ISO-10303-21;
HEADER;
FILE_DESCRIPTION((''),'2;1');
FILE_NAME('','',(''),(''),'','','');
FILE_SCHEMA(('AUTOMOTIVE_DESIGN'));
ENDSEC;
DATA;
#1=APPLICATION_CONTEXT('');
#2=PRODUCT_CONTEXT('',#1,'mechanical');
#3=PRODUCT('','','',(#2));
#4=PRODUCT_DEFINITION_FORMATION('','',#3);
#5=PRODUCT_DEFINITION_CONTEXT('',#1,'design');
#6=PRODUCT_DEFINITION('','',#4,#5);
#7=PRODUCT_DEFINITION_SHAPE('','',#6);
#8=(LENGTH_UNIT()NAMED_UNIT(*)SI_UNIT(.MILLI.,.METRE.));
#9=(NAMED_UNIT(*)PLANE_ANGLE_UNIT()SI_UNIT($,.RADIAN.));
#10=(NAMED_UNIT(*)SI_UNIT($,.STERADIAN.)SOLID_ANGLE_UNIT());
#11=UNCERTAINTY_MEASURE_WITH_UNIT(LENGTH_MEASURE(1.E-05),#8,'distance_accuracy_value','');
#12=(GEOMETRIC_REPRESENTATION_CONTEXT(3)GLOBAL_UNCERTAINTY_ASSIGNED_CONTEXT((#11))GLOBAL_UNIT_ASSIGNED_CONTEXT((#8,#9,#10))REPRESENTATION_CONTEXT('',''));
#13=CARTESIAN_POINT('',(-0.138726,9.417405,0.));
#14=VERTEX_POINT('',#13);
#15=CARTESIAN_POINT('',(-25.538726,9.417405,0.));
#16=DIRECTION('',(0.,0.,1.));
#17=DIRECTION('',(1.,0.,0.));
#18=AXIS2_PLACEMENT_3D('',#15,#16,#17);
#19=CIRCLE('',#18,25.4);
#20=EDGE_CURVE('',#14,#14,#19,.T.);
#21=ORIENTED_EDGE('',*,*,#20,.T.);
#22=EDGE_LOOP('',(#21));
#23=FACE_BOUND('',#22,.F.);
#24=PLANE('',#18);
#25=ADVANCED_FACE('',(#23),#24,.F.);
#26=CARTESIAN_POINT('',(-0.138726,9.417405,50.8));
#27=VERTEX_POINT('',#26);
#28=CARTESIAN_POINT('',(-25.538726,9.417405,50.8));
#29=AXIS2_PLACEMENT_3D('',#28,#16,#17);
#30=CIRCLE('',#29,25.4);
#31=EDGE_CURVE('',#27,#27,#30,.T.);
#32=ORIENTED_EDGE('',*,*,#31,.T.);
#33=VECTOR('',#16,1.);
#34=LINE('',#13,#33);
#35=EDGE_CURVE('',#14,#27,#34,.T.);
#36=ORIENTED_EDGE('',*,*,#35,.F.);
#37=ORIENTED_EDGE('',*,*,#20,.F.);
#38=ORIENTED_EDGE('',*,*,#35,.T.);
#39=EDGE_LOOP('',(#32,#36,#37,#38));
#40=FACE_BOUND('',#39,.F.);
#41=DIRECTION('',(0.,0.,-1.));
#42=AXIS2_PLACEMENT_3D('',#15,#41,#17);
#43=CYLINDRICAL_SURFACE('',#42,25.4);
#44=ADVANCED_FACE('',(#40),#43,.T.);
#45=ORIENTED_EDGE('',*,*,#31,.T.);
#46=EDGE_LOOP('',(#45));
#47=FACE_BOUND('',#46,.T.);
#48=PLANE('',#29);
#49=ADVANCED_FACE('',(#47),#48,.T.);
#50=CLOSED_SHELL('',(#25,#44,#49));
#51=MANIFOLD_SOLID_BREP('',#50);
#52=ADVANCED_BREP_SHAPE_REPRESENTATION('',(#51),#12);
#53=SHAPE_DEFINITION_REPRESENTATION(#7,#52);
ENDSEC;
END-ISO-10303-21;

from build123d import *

# Parameters (mm, degrees)
SKETCH1_R           = 25.4
BOSS_EXTRUDE1_DEPTH = 50.8


with BuildPart() as part:
    # Sketch1 → Boss-Extrude1 (new body)
    with BuildSketch(Plane.XY):
        with Locations((-25.538725984, 9.417405207)):
            Circle(SKETCH1_R)
    extrude(amount=BOSS_EXTRUDE1_DEPTH)


solid = part.part
